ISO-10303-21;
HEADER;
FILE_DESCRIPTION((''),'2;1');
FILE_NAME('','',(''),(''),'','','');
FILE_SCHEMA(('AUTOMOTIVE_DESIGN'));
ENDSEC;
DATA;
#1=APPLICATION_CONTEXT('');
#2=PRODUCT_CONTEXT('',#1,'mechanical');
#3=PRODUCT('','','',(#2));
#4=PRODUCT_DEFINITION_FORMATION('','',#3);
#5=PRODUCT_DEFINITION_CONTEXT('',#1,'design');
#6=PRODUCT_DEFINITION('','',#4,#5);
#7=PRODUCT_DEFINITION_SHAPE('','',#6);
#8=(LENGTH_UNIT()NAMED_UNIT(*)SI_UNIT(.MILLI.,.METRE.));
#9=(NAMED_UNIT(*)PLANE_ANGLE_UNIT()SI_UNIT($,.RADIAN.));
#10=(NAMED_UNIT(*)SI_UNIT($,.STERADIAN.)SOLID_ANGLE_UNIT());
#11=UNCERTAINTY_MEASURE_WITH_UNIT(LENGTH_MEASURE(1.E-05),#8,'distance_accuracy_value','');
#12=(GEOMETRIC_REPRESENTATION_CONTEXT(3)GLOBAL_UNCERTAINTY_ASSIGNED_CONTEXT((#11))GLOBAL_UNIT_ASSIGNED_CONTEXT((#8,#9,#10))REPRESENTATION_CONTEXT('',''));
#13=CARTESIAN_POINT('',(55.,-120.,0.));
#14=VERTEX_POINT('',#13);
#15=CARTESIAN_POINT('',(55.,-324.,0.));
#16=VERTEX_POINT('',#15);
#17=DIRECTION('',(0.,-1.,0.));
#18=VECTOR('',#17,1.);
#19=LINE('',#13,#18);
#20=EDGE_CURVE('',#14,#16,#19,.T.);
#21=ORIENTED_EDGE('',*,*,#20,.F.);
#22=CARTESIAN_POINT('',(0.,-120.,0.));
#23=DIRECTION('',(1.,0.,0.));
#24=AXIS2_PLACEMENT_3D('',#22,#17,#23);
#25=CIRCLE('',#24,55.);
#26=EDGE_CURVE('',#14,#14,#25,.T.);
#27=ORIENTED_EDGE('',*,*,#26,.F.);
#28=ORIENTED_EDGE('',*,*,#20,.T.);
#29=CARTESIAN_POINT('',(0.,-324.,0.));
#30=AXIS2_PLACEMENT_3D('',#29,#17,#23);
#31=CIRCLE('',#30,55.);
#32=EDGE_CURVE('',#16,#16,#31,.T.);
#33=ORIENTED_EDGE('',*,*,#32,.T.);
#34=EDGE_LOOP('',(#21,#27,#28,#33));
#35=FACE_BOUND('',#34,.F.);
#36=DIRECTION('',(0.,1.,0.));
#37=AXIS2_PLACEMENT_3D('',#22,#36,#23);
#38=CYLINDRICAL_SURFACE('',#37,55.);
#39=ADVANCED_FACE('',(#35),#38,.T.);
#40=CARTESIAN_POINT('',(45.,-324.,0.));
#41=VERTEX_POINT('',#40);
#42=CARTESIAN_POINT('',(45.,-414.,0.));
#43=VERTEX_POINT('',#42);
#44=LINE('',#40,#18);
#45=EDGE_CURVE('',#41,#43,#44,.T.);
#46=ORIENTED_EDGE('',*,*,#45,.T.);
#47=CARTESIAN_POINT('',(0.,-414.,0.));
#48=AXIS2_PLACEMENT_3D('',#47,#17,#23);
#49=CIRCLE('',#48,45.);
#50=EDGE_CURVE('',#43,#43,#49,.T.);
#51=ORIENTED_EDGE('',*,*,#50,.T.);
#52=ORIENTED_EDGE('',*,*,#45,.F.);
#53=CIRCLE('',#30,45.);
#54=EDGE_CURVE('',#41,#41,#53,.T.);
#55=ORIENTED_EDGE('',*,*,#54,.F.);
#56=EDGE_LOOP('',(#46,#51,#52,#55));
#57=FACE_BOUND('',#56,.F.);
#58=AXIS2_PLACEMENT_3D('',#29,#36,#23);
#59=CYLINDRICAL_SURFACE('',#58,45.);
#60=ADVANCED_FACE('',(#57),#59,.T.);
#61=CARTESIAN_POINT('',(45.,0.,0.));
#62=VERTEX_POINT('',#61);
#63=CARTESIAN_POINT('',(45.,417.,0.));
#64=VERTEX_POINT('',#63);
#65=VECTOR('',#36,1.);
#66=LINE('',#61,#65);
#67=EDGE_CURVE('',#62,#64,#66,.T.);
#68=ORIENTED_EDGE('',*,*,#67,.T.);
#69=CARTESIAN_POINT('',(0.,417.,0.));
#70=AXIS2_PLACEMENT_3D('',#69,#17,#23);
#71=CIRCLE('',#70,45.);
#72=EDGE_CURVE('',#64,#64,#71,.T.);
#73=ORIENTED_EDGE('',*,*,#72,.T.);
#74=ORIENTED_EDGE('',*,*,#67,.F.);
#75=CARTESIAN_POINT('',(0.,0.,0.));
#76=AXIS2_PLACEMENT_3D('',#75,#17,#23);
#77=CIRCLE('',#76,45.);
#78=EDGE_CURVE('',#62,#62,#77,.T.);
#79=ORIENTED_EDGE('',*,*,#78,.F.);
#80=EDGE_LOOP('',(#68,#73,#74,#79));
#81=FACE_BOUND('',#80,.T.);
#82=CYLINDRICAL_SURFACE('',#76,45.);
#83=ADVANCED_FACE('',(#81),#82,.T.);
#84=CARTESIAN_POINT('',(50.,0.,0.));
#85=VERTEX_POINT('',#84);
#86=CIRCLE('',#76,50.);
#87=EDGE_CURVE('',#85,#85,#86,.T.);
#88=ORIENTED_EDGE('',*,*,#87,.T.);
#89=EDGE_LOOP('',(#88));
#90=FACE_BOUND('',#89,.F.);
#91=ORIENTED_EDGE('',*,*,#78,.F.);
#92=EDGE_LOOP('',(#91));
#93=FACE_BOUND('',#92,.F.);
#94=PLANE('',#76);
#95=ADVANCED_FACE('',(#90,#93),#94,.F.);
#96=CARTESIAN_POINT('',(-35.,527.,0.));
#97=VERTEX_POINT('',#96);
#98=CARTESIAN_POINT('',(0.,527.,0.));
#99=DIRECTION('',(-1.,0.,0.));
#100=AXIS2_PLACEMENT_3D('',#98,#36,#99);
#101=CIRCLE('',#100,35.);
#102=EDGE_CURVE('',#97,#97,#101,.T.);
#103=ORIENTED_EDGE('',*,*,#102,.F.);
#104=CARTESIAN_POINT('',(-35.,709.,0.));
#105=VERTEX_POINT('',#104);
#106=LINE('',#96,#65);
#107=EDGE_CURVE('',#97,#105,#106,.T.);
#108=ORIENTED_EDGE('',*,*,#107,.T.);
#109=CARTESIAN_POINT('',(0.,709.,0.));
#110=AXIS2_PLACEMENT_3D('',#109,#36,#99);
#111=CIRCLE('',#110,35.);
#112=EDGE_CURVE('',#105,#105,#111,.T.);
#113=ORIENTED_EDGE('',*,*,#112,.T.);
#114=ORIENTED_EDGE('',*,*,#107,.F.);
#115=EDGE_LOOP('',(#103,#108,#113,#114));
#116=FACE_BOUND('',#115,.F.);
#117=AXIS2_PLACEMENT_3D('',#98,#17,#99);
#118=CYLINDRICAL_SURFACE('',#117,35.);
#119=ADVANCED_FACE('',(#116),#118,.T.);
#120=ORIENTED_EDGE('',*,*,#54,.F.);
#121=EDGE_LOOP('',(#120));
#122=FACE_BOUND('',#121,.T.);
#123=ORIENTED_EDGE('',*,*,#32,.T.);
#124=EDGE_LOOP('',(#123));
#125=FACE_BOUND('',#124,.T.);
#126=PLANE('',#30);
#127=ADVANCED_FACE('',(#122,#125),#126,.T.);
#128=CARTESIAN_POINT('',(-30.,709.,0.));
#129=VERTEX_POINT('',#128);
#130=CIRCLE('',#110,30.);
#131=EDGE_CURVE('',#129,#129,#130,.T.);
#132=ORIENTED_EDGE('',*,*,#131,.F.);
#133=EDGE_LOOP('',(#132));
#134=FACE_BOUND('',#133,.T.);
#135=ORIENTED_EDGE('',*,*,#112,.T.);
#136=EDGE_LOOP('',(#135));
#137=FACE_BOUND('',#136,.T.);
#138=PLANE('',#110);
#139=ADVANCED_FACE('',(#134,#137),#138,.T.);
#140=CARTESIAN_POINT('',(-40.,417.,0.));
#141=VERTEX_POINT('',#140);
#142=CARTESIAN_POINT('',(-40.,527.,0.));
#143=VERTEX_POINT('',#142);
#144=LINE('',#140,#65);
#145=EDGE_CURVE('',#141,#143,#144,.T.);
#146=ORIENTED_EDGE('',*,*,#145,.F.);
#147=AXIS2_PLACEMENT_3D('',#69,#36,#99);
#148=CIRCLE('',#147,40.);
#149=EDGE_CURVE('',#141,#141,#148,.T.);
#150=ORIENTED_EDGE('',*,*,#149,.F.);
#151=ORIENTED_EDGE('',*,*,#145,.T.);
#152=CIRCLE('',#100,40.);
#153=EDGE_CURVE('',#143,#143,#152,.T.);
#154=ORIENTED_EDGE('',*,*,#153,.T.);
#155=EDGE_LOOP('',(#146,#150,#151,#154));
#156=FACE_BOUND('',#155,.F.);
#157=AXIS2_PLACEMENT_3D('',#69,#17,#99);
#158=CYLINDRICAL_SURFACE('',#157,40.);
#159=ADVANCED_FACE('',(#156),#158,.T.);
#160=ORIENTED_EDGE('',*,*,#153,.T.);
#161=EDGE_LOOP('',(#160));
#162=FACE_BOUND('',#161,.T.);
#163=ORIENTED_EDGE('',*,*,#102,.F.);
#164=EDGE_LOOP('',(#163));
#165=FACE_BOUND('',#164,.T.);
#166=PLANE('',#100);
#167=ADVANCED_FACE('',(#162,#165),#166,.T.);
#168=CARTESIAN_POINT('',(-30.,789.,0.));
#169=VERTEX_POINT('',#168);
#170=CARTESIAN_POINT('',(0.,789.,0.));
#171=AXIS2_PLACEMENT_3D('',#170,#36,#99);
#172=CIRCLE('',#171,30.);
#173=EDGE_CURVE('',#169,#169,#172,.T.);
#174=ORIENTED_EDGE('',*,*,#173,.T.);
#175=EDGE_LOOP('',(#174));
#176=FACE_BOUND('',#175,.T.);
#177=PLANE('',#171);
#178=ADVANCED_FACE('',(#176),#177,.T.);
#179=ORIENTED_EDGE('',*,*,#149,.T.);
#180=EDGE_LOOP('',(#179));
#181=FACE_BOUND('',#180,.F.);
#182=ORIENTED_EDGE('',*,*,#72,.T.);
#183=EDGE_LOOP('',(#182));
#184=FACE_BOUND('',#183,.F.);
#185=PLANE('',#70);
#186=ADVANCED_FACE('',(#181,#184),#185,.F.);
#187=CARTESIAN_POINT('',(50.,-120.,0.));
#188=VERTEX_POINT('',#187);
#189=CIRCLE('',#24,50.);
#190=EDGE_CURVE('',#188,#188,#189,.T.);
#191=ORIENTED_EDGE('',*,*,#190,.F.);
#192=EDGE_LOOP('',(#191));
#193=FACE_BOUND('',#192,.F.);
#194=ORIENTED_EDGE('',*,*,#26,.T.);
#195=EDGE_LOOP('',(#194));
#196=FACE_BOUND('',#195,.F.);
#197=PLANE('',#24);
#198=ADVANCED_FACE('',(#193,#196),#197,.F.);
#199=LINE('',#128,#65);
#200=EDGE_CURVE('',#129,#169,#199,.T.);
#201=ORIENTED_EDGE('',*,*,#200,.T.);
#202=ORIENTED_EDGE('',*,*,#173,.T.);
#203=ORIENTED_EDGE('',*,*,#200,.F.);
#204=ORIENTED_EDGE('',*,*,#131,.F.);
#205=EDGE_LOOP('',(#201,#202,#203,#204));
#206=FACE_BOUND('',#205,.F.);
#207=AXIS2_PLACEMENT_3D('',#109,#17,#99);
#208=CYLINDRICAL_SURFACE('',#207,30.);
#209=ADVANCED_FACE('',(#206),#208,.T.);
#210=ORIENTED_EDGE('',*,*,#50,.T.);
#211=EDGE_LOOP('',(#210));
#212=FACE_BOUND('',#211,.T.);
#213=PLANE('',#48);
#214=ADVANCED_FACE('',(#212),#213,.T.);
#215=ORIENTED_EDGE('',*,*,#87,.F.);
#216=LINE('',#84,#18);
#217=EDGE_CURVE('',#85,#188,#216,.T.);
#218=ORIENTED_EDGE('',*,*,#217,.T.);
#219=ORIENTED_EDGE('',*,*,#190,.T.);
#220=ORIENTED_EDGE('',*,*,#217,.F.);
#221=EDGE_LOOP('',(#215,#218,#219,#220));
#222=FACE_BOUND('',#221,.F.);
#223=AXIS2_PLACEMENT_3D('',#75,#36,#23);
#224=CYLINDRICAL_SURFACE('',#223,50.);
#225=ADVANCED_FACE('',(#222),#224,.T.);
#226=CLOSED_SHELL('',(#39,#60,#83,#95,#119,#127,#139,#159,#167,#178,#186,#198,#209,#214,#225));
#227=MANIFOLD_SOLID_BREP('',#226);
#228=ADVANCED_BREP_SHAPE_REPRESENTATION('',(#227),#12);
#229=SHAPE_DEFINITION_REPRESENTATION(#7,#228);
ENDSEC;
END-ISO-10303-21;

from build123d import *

# Parameters (mm, degrees)
F0_R      = 45
F1_DEPTH  = 417
F2_R      = 40
F3_DEPTH  = 110
F4_R      = 35
F5_DEPTH  = 182
F6_R      = 30
F7_DEPTH  = 80
F8_R      = 50
F9_DEPTH  = 120
F10_R     = 55
F11_DEPTH = 204
F12_R     = 45
F13_DEPTH = 90


with BuildPart() as f1:
    # F0 (on Front) → F1 (new body)
    with BuildSketch(Plane.XZ):
        Circle(F0_R)
    extrude(amount=-F1_DEPTH)

    # F2 (on face) → F3 (join)
    with BuildSketch(Plane(origin=(0, 417, 0), x_dir=(-1, 0, 0), z_dir=(0, 1, 0))):
        Circle(F2_R)
    extrude(amount=F3_DEPTH)

    # F4 (on face) → F5 (join)
    with BuildSketch(Plane(origin=(0, 527, 0), x_dir=(-1, 0, 0), z_dir=(0, 1, 0))):
        Circle(F4_R)
    extrude(amount=F5_DEPTH)

    # F6 (on face) → F7 (join)
    with BuildSketch(Plane(origin=(0, 709, 0), x_dir=(-1, 0, 0), z_dir=(0, 1, 0))):
        Circle(F6_R)
    extrude(amount=F7_DEPTH)

    # F8 (on face) → F9 (join)
    with BuildSketch(Plane.XZ):
        Circle(F8_R)
    extrude(amount=F9_DEPTH)

    # F10 (on face) → F11 (join)
    with BuildSketch(Plane.XZ.offset(120)):
        Circle(F10_R)
    extrude(amount=F11_DEPTH)

    # F12 (on face) → F13 (join)
    with BuildSketch(Plane.XZ.offset(324)):
        Circle(F12_R)
    extrude(amount=F13_DEPTH)


solid = f1.part
